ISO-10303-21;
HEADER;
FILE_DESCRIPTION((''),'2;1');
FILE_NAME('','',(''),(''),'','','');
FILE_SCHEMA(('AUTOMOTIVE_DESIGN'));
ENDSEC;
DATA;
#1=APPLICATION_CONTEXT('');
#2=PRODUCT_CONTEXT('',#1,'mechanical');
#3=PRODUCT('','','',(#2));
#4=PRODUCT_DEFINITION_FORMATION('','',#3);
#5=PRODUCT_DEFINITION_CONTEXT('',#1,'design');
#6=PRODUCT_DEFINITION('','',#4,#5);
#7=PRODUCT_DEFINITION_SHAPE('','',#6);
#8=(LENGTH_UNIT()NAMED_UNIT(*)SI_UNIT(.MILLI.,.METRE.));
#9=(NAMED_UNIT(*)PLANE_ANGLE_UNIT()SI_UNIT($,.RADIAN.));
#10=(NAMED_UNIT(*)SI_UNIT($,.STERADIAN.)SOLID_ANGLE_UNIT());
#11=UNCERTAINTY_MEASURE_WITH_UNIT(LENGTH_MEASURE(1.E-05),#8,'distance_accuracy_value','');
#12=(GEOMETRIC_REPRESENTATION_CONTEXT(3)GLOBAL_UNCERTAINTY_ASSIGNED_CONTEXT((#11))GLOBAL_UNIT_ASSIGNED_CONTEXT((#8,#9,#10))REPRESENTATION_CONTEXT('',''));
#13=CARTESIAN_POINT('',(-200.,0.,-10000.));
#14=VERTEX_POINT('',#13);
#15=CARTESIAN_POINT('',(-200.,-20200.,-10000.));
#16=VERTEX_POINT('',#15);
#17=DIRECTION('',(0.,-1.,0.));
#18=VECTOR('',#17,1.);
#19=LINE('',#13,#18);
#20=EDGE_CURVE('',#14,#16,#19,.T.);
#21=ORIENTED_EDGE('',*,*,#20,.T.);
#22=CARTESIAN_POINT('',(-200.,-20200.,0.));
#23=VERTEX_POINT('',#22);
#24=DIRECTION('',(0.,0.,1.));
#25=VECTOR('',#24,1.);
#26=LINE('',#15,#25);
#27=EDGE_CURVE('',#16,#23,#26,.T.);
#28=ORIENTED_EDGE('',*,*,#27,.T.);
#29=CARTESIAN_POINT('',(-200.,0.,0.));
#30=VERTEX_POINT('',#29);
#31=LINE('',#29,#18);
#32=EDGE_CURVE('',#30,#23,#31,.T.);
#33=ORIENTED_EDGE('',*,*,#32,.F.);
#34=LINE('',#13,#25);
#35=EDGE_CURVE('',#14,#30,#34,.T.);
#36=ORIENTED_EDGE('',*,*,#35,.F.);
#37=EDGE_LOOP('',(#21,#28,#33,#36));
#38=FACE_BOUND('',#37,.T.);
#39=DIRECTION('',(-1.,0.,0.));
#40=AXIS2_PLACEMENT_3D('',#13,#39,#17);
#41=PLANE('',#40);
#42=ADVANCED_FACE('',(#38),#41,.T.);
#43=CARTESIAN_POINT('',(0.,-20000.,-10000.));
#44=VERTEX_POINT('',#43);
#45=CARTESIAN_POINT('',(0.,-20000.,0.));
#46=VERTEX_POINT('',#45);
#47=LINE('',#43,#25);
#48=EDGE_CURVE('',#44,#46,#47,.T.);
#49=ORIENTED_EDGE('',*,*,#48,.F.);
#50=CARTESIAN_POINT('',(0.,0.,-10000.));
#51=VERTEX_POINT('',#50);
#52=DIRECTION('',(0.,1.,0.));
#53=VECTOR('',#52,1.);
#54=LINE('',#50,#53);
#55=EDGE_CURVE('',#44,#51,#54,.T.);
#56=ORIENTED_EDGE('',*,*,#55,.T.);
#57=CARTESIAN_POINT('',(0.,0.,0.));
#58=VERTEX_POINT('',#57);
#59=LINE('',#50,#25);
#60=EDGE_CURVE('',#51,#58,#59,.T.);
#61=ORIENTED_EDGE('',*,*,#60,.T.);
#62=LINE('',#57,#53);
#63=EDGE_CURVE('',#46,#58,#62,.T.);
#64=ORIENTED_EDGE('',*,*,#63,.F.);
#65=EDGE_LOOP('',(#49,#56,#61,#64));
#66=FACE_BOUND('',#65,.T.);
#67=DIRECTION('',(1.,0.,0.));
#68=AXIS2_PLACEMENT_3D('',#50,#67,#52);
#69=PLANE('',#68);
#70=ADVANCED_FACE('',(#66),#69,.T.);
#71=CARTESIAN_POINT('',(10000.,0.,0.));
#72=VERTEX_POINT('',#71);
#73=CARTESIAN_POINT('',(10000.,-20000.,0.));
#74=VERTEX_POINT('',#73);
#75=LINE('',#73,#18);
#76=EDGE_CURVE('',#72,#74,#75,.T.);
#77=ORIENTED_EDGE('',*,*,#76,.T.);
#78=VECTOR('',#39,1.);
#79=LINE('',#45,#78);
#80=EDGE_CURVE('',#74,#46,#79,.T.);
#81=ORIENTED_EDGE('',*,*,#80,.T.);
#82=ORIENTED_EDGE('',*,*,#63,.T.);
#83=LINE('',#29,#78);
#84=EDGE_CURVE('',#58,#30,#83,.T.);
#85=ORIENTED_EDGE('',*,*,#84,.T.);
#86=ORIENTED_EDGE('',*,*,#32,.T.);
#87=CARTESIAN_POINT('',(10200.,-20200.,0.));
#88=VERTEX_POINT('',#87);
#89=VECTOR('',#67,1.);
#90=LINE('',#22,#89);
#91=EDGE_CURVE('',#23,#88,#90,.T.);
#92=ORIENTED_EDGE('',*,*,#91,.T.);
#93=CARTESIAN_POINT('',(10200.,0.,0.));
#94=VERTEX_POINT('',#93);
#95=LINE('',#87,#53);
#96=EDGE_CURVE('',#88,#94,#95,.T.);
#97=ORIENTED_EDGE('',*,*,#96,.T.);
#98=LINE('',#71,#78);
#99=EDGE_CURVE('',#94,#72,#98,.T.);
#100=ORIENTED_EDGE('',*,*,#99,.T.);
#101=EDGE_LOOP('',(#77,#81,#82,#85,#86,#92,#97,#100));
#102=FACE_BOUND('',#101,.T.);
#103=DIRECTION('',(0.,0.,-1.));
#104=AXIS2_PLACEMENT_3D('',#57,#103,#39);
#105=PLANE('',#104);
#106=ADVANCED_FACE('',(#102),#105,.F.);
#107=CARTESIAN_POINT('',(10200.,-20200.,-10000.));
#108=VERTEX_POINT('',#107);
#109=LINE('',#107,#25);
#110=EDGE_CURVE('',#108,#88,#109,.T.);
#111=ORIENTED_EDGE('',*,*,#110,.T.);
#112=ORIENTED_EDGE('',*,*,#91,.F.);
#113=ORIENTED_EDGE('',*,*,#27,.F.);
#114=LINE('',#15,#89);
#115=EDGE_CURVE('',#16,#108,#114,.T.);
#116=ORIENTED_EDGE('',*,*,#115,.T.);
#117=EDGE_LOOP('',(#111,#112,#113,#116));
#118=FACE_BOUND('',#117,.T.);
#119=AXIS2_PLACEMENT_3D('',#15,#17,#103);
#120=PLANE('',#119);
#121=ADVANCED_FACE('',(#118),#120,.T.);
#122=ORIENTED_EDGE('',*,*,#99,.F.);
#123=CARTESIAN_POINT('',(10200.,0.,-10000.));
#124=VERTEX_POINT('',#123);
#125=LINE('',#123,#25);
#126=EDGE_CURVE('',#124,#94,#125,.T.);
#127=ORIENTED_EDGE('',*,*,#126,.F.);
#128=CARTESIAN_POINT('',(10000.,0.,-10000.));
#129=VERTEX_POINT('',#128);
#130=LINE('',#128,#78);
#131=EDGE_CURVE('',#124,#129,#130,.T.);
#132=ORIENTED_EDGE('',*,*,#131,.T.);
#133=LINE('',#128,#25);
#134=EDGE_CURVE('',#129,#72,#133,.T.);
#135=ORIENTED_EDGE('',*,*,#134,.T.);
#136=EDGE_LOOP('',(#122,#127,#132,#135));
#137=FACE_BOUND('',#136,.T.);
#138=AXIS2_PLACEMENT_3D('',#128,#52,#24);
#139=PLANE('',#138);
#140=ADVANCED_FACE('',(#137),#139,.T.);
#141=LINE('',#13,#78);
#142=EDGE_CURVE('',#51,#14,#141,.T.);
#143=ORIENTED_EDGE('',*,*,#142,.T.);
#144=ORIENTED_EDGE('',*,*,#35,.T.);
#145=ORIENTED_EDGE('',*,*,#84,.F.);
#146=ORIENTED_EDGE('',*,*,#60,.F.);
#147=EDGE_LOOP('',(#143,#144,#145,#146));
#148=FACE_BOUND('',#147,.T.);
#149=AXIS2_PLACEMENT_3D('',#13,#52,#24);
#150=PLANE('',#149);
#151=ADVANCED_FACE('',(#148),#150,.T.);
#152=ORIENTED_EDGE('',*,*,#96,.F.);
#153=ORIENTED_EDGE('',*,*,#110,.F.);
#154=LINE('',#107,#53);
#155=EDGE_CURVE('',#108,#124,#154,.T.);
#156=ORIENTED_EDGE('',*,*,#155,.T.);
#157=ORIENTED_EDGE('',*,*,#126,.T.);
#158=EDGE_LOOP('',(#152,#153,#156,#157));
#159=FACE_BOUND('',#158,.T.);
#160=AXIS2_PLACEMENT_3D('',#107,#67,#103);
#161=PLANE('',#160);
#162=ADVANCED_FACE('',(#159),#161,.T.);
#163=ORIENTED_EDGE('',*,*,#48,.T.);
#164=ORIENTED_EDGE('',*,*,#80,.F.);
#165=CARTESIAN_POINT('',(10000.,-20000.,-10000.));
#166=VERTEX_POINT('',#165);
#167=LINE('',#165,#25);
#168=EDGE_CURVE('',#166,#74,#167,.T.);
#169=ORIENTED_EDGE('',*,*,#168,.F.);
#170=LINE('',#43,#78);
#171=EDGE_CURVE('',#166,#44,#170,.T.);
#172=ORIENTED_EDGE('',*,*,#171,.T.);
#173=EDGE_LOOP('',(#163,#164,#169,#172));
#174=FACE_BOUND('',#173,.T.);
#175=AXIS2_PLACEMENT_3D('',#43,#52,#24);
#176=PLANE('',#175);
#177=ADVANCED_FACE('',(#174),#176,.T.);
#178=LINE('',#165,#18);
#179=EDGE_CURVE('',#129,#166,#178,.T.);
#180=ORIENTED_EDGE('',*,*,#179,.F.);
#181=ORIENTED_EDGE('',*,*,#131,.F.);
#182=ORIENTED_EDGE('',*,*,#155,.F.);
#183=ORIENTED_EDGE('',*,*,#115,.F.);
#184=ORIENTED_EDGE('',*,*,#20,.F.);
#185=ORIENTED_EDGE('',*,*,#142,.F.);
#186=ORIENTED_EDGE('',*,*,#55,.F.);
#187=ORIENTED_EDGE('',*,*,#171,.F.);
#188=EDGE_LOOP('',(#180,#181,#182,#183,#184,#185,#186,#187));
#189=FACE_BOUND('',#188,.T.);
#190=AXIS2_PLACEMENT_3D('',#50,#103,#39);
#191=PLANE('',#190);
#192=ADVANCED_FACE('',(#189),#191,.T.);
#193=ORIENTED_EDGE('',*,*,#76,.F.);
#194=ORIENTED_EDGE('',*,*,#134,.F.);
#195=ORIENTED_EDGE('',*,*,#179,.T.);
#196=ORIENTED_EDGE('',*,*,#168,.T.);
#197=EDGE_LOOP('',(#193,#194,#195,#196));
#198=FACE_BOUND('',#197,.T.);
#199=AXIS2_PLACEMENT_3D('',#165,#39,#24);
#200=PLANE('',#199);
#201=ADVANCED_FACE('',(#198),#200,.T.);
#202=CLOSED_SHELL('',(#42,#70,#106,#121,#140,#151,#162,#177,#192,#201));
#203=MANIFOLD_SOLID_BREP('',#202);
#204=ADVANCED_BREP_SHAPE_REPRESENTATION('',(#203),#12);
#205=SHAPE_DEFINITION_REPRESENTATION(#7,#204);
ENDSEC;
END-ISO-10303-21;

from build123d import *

# Parameters (mm, degrees)
BOSS_EXTRUDE1_DEPTH = 10000


with BuildPart() as part:
    # Sketch2 → Boss-Extrude1 (new body)
    with BuildSketch(Plane.XY):
        Polygon((0, 0), (0, -20000), (10000, -20000), (10000, 0), (10200, 0), (10200, -20200), (-200, -20200), (-200, 0), align=None)
    extrude(amount=-BOSS_EXTRUDE1_DEPTH)


solid = part.part
